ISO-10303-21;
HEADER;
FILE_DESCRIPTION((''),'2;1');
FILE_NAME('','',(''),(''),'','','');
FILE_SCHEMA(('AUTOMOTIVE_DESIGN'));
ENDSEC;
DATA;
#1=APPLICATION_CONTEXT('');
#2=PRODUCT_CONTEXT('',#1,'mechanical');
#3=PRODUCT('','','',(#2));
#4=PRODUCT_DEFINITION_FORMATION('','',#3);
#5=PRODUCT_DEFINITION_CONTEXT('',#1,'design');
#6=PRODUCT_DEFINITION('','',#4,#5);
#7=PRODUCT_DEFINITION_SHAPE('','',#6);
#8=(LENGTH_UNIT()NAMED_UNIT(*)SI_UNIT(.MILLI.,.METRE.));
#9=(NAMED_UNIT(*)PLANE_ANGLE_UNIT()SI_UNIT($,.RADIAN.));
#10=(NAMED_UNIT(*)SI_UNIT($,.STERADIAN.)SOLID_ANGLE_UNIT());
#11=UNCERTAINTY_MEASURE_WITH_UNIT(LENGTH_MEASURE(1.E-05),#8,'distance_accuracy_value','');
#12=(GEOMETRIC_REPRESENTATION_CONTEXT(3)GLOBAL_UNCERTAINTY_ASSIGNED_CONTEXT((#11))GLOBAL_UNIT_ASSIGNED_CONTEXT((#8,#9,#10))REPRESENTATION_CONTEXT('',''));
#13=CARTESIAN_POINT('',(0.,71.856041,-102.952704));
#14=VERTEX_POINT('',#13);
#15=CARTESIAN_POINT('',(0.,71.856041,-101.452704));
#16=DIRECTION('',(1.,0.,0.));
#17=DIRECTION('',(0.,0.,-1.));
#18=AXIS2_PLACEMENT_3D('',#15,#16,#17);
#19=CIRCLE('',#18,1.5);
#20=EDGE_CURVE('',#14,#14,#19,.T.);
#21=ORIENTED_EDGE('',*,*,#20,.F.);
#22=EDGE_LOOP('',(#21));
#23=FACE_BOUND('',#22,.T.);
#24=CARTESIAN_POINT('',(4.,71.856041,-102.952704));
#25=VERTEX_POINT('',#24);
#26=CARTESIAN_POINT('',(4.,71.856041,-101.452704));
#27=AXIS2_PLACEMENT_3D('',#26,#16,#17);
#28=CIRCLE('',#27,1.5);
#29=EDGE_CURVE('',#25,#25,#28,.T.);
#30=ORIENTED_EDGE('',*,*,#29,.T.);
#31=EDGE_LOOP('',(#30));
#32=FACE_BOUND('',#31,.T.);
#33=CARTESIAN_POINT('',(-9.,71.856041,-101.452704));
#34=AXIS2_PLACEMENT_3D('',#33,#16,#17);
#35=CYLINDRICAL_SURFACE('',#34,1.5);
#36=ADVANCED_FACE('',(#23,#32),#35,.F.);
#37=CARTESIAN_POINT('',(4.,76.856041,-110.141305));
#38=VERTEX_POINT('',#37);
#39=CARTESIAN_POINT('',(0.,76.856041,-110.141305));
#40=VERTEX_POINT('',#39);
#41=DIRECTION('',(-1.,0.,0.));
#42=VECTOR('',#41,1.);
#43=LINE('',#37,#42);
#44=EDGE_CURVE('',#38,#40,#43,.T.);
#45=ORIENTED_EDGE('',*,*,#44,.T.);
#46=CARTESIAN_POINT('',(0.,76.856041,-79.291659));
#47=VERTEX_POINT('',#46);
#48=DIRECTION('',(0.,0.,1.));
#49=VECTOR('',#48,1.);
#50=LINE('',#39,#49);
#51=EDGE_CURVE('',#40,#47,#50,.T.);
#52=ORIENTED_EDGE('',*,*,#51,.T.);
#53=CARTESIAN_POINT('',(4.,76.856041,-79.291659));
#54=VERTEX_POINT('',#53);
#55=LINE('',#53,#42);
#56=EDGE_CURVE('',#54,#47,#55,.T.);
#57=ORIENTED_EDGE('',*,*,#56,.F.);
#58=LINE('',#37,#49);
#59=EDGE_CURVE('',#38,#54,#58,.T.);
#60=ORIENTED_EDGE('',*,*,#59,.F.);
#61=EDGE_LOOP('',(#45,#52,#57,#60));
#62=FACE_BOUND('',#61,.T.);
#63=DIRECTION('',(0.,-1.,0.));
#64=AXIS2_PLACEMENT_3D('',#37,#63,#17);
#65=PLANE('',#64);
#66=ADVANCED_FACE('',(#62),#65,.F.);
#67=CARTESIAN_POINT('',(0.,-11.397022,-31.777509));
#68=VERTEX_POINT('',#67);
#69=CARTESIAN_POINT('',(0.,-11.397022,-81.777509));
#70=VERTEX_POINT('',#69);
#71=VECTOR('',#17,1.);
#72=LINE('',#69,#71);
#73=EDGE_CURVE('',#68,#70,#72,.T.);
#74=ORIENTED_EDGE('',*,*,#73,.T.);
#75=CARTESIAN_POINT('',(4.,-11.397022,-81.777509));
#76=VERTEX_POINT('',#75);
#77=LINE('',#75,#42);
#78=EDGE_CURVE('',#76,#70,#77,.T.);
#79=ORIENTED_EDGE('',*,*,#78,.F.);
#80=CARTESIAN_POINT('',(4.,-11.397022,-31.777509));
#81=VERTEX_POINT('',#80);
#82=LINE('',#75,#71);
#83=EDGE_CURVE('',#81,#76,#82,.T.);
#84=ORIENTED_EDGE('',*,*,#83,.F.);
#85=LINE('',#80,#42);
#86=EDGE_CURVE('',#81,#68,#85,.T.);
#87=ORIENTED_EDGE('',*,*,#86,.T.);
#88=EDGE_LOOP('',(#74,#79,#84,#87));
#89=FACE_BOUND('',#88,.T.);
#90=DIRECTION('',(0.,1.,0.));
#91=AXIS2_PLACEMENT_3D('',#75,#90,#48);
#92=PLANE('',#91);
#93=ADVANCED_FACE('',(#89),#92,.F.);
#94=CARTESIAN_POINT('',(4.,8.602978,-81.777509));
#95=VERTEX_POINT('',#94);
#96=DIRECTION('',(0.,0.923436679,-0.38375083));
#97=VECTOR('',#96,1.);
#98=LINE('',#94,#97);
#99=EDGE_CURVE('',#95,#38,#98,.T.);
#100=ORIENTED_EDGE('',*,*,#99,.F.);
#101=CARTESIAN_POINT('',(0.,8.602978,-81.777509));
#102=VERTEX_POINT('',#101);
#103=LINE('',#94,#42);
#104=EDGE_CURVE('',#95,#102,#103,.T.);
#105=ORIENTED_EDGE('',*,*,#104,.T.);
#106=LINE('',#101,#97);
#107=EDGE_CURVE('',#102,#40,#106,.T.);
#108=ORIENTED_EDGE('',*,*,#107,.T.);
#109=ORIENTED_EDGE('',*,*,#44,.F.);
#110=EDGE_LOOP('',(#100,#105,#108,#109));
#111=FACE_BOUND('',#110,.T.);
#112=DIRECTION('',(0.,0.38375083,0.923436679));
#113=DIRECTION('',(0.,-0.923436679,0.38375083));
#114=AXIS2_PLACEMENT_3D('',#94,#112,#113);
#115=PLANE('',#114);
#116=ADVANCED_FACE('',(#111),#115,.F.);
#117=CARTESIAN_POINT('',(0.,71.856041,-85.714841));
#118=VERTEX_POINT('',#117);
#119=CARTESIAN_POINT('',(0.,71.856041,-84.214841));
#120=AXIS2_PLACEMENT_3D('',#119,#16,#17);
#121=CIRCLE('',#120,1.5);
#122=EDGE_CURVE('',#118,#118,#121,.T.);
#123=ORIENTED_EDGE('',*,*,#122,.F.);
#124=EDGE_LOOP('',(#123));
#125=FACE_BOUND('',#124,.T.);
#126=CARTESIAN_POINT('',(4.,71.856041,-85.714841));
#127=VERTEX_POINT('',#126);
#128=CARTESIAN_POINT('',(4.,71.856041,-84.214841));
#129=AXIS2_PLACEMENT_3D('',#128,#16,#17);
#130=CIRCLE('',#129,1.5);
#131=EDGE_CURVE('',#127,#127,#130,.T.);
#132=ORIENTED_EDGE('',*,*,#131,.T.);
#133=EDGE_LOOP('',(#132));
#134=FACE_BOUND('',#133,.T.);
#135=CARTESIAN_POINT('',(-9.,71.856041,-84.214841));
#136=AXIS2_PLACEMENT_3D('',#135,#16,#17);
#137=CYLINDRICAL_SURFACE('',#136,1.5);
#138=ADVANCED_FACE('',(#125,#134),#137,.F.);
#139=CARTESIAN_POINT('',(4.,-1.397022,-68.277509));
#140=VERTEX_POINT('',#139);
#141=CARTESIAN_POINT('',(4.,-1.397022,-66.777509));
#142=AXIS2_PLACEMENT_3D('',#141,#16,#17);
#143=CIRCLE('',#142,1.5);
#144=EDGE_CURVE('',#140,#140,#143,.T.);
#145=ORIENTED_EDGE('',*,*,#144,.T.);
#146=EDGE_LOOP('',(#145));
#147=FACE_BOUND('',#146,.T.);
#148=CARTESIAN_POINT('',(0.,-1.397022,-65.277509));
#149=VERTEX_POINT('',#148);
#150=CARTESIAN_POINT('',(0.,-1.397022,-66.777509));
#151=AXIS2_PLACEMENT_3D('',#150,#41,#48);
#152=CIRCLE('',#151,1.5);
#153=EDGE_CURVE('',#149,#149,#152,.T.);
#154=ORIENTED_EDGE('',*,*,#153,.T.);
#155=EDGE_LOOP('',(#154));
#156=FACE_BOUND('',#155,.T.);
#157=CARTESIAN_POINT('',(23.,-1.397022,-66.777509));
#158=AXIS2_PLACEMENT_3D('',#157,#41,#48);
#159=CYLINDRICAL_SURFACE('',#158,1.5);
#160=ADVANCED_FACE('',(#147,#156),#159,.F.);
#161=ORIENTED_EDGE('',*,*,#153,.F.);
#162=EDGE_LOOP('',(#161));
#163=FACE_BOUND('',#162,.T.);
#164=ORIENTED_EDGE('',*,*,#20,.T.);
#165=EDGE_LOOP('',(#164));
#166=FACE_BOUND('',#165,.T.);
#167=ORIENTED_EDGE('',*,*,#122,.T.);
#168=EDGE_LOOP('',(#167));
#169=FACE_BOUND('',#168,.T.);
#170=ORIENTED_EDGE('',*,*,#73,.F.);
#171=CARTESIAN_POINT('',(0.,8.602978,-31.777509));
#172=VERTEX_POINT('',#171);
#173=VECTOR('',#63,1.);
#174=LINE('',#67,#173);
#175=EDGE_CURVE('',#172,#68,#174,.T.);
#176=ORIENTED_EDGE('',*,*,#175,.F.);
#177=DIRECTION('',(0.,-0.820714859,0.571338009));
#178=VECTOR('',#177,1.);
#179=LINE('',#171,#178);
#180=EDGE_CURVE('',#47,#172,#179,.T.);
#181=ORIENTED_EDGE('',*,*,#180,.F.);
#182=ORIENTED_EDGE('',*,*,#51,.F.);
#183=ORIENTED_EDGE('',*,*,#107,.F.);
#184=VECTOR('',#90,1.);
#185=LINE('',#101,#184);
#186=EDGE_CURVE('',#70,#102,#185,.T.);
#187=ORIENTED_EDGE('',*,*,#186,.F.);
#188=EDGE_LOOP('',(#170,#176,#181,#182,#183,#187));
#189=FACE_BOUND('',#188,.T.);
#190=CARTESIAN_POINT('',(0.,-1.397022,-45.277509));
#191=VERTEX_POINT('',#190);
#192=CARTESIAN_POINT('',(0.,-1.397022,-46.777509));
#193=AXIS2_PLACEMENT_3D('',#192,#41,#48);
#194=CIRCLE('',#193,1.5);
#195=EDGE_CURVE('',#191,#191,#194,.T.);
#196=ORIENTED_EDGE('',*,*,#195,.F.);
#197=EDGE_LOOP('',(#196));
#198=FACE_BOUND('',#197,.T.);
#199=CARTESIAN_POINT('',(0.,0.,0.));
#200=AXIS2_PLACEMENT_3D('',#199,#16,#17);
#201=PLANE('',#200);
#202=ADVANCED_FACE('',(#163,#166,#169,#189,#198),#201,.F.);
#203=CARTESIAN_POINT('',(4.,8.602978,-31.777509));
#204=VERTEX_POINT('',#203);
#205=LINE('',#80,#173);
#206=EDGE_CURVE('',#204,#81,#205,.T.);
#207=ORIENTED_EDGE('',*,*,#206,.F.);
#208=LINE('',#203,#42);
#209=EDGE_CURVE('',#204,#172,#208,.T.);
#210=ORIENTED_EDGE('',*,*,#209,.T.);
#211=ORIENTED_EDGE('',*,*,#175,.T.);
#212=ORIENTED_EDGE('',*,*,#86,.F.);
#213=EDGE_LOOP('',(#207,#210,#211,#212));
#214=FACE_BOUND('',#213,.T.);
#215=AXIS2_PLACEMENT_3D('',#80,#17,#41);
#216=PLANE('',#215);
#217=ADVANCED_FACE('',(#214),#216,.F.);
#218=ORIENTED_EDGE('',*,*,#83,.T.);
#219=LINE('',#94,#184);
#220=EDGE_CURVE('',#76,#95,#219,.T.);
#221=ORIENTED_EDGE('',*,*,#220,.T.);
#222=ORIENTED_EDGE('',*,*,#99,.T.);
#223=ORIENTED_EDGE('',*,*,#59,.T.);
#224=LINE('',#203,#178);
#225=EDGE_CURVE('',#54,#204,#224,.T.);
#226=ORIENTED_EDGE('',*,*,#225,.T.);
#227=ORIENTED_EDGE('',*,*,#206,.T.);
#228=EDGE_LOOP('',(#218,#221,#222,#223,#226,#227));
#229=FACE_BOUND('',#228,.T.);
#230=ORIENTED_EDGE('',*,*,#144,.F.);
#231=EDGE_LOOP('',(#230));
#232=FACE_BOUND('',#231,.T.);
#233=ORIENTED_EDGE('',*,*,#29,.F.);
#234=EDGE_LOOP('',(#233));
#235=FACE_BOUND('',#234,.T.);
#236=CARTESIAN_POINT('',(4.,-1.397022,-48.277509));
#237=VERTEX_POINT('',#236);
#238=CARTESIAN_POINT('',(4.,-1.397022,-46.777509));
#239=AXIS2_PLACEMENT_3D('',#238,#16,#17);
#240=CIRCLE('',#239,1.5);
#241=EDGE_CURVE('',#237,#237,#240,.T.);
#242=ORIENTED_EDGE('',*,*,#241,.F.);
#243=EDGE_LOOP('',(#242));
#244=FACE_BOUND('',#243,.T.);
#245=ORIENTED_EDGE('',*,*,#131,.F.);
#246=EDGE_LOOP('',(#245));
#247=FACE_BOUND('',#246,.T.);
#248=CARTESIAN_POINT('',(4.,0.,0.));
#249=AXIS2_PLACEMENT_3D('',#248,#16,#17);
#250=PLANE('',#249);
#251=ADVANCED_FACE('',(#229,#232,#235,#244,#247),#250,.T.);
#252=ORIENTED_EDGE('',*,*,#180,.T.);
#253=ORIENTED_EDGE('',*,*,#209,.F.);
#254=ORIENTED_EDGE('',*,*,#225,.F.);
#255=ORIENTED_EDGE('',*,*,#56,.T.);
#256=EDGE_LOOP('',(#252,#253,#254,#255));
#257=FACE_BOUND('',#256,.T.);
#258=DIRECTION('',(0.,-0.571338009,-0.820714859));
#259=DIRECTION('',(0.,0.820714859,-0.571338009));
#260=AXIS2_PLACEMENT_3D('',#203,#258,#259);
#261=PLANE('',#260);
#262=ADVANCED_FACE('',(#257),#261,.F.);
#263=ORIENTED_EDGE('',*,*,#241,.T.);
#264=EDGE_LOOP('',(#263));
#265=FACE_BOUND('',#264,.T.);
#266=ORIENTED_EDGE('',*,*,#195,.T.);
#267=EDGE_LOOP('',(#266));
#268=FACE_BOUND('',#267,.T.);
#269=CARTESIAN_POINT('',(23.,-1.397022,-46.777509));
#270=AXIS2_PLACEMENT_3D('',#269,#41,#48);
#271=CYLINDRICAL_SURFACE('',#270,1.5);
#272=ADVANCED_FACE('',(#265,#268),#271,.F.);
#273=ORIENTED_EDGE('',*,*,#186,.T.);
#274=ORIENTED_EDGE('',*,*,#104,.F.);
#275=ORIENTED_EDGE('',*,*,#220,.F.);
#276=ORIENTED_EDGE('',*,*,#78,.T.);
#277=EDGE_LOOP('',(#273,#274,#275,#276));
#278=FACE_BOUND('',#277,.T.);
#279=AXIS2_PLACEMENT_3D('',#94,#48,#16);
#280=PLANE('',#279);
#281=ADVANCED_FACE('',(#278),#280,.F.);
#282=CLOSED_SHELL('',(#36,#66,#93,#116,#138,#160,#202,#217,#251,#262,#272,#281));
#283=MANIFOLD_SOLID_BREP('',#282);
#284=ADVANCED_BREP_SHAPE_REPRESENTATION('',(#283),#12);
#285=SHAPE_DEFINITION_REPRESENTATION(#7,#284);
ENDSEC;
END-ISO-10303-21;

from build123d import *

# Parameters (mm, degrees)
SALIENTE_EXTRUIR1_DEPTH = 4
CROQUIS2_R              = 1.5
CORTAR_EXTRUIR1_DEPTH   = 13
CROQUIS3_R              = 1.5
CORTAR_EXTRUIR2_DEPTH   = 23


with BuildPart() as part:
    # Croquis1 → Saliente-Extruir1 (new body)
    with BuildSketch(Plane(origin=(0, 0, 0), x_dir=(0, 0, -1), z_dir=(1, 0, 0))):
        Polygon((31.77750931, 8.602977891), (79.291659343, 76.856040613), (110.141305144, 76.856040613), (81.77750931, 8.602977891), (81.77750931, -11.397022109), (31.77750931, -11.397022109), align=None)
    extrude(amount=SALIENTE_EXTRUIR1_DEPTH)

    # Croquis2 → Cortar-Extruir1 (cut)
    with BuildSketch(Plane(origin=(4, 0, 0), x_dir=(0, 0, -1), z_dir=(1, 0, 0))):
        with Locations((84.214840877, 71.856040613)):
            Circle(CROQUIS2_R)
        with Locations((101.452703983, 71.856040613)):
            Circle(CROQUIS2_R)
    extrude(amount=-CORTAR_EXTRUIR1_DEPTH, mode=Mode.SUBTRACT)

    # Croquis3 → Cortar-Extruir2 (cut)
    with BuildSketch(Plane.ZY):
        with Locations((-66.77750931, -1.397022109)):
            Circle(CROQUIS3_R)
        with Locations((-46.77750931, -1.397022109)):
            Circle(CROQUIS3_R)
    extrude(amount=-CORTAR_EXTRUIR2_DEPTH, mode=Mode.SUBTRACT)


solid = part.part
